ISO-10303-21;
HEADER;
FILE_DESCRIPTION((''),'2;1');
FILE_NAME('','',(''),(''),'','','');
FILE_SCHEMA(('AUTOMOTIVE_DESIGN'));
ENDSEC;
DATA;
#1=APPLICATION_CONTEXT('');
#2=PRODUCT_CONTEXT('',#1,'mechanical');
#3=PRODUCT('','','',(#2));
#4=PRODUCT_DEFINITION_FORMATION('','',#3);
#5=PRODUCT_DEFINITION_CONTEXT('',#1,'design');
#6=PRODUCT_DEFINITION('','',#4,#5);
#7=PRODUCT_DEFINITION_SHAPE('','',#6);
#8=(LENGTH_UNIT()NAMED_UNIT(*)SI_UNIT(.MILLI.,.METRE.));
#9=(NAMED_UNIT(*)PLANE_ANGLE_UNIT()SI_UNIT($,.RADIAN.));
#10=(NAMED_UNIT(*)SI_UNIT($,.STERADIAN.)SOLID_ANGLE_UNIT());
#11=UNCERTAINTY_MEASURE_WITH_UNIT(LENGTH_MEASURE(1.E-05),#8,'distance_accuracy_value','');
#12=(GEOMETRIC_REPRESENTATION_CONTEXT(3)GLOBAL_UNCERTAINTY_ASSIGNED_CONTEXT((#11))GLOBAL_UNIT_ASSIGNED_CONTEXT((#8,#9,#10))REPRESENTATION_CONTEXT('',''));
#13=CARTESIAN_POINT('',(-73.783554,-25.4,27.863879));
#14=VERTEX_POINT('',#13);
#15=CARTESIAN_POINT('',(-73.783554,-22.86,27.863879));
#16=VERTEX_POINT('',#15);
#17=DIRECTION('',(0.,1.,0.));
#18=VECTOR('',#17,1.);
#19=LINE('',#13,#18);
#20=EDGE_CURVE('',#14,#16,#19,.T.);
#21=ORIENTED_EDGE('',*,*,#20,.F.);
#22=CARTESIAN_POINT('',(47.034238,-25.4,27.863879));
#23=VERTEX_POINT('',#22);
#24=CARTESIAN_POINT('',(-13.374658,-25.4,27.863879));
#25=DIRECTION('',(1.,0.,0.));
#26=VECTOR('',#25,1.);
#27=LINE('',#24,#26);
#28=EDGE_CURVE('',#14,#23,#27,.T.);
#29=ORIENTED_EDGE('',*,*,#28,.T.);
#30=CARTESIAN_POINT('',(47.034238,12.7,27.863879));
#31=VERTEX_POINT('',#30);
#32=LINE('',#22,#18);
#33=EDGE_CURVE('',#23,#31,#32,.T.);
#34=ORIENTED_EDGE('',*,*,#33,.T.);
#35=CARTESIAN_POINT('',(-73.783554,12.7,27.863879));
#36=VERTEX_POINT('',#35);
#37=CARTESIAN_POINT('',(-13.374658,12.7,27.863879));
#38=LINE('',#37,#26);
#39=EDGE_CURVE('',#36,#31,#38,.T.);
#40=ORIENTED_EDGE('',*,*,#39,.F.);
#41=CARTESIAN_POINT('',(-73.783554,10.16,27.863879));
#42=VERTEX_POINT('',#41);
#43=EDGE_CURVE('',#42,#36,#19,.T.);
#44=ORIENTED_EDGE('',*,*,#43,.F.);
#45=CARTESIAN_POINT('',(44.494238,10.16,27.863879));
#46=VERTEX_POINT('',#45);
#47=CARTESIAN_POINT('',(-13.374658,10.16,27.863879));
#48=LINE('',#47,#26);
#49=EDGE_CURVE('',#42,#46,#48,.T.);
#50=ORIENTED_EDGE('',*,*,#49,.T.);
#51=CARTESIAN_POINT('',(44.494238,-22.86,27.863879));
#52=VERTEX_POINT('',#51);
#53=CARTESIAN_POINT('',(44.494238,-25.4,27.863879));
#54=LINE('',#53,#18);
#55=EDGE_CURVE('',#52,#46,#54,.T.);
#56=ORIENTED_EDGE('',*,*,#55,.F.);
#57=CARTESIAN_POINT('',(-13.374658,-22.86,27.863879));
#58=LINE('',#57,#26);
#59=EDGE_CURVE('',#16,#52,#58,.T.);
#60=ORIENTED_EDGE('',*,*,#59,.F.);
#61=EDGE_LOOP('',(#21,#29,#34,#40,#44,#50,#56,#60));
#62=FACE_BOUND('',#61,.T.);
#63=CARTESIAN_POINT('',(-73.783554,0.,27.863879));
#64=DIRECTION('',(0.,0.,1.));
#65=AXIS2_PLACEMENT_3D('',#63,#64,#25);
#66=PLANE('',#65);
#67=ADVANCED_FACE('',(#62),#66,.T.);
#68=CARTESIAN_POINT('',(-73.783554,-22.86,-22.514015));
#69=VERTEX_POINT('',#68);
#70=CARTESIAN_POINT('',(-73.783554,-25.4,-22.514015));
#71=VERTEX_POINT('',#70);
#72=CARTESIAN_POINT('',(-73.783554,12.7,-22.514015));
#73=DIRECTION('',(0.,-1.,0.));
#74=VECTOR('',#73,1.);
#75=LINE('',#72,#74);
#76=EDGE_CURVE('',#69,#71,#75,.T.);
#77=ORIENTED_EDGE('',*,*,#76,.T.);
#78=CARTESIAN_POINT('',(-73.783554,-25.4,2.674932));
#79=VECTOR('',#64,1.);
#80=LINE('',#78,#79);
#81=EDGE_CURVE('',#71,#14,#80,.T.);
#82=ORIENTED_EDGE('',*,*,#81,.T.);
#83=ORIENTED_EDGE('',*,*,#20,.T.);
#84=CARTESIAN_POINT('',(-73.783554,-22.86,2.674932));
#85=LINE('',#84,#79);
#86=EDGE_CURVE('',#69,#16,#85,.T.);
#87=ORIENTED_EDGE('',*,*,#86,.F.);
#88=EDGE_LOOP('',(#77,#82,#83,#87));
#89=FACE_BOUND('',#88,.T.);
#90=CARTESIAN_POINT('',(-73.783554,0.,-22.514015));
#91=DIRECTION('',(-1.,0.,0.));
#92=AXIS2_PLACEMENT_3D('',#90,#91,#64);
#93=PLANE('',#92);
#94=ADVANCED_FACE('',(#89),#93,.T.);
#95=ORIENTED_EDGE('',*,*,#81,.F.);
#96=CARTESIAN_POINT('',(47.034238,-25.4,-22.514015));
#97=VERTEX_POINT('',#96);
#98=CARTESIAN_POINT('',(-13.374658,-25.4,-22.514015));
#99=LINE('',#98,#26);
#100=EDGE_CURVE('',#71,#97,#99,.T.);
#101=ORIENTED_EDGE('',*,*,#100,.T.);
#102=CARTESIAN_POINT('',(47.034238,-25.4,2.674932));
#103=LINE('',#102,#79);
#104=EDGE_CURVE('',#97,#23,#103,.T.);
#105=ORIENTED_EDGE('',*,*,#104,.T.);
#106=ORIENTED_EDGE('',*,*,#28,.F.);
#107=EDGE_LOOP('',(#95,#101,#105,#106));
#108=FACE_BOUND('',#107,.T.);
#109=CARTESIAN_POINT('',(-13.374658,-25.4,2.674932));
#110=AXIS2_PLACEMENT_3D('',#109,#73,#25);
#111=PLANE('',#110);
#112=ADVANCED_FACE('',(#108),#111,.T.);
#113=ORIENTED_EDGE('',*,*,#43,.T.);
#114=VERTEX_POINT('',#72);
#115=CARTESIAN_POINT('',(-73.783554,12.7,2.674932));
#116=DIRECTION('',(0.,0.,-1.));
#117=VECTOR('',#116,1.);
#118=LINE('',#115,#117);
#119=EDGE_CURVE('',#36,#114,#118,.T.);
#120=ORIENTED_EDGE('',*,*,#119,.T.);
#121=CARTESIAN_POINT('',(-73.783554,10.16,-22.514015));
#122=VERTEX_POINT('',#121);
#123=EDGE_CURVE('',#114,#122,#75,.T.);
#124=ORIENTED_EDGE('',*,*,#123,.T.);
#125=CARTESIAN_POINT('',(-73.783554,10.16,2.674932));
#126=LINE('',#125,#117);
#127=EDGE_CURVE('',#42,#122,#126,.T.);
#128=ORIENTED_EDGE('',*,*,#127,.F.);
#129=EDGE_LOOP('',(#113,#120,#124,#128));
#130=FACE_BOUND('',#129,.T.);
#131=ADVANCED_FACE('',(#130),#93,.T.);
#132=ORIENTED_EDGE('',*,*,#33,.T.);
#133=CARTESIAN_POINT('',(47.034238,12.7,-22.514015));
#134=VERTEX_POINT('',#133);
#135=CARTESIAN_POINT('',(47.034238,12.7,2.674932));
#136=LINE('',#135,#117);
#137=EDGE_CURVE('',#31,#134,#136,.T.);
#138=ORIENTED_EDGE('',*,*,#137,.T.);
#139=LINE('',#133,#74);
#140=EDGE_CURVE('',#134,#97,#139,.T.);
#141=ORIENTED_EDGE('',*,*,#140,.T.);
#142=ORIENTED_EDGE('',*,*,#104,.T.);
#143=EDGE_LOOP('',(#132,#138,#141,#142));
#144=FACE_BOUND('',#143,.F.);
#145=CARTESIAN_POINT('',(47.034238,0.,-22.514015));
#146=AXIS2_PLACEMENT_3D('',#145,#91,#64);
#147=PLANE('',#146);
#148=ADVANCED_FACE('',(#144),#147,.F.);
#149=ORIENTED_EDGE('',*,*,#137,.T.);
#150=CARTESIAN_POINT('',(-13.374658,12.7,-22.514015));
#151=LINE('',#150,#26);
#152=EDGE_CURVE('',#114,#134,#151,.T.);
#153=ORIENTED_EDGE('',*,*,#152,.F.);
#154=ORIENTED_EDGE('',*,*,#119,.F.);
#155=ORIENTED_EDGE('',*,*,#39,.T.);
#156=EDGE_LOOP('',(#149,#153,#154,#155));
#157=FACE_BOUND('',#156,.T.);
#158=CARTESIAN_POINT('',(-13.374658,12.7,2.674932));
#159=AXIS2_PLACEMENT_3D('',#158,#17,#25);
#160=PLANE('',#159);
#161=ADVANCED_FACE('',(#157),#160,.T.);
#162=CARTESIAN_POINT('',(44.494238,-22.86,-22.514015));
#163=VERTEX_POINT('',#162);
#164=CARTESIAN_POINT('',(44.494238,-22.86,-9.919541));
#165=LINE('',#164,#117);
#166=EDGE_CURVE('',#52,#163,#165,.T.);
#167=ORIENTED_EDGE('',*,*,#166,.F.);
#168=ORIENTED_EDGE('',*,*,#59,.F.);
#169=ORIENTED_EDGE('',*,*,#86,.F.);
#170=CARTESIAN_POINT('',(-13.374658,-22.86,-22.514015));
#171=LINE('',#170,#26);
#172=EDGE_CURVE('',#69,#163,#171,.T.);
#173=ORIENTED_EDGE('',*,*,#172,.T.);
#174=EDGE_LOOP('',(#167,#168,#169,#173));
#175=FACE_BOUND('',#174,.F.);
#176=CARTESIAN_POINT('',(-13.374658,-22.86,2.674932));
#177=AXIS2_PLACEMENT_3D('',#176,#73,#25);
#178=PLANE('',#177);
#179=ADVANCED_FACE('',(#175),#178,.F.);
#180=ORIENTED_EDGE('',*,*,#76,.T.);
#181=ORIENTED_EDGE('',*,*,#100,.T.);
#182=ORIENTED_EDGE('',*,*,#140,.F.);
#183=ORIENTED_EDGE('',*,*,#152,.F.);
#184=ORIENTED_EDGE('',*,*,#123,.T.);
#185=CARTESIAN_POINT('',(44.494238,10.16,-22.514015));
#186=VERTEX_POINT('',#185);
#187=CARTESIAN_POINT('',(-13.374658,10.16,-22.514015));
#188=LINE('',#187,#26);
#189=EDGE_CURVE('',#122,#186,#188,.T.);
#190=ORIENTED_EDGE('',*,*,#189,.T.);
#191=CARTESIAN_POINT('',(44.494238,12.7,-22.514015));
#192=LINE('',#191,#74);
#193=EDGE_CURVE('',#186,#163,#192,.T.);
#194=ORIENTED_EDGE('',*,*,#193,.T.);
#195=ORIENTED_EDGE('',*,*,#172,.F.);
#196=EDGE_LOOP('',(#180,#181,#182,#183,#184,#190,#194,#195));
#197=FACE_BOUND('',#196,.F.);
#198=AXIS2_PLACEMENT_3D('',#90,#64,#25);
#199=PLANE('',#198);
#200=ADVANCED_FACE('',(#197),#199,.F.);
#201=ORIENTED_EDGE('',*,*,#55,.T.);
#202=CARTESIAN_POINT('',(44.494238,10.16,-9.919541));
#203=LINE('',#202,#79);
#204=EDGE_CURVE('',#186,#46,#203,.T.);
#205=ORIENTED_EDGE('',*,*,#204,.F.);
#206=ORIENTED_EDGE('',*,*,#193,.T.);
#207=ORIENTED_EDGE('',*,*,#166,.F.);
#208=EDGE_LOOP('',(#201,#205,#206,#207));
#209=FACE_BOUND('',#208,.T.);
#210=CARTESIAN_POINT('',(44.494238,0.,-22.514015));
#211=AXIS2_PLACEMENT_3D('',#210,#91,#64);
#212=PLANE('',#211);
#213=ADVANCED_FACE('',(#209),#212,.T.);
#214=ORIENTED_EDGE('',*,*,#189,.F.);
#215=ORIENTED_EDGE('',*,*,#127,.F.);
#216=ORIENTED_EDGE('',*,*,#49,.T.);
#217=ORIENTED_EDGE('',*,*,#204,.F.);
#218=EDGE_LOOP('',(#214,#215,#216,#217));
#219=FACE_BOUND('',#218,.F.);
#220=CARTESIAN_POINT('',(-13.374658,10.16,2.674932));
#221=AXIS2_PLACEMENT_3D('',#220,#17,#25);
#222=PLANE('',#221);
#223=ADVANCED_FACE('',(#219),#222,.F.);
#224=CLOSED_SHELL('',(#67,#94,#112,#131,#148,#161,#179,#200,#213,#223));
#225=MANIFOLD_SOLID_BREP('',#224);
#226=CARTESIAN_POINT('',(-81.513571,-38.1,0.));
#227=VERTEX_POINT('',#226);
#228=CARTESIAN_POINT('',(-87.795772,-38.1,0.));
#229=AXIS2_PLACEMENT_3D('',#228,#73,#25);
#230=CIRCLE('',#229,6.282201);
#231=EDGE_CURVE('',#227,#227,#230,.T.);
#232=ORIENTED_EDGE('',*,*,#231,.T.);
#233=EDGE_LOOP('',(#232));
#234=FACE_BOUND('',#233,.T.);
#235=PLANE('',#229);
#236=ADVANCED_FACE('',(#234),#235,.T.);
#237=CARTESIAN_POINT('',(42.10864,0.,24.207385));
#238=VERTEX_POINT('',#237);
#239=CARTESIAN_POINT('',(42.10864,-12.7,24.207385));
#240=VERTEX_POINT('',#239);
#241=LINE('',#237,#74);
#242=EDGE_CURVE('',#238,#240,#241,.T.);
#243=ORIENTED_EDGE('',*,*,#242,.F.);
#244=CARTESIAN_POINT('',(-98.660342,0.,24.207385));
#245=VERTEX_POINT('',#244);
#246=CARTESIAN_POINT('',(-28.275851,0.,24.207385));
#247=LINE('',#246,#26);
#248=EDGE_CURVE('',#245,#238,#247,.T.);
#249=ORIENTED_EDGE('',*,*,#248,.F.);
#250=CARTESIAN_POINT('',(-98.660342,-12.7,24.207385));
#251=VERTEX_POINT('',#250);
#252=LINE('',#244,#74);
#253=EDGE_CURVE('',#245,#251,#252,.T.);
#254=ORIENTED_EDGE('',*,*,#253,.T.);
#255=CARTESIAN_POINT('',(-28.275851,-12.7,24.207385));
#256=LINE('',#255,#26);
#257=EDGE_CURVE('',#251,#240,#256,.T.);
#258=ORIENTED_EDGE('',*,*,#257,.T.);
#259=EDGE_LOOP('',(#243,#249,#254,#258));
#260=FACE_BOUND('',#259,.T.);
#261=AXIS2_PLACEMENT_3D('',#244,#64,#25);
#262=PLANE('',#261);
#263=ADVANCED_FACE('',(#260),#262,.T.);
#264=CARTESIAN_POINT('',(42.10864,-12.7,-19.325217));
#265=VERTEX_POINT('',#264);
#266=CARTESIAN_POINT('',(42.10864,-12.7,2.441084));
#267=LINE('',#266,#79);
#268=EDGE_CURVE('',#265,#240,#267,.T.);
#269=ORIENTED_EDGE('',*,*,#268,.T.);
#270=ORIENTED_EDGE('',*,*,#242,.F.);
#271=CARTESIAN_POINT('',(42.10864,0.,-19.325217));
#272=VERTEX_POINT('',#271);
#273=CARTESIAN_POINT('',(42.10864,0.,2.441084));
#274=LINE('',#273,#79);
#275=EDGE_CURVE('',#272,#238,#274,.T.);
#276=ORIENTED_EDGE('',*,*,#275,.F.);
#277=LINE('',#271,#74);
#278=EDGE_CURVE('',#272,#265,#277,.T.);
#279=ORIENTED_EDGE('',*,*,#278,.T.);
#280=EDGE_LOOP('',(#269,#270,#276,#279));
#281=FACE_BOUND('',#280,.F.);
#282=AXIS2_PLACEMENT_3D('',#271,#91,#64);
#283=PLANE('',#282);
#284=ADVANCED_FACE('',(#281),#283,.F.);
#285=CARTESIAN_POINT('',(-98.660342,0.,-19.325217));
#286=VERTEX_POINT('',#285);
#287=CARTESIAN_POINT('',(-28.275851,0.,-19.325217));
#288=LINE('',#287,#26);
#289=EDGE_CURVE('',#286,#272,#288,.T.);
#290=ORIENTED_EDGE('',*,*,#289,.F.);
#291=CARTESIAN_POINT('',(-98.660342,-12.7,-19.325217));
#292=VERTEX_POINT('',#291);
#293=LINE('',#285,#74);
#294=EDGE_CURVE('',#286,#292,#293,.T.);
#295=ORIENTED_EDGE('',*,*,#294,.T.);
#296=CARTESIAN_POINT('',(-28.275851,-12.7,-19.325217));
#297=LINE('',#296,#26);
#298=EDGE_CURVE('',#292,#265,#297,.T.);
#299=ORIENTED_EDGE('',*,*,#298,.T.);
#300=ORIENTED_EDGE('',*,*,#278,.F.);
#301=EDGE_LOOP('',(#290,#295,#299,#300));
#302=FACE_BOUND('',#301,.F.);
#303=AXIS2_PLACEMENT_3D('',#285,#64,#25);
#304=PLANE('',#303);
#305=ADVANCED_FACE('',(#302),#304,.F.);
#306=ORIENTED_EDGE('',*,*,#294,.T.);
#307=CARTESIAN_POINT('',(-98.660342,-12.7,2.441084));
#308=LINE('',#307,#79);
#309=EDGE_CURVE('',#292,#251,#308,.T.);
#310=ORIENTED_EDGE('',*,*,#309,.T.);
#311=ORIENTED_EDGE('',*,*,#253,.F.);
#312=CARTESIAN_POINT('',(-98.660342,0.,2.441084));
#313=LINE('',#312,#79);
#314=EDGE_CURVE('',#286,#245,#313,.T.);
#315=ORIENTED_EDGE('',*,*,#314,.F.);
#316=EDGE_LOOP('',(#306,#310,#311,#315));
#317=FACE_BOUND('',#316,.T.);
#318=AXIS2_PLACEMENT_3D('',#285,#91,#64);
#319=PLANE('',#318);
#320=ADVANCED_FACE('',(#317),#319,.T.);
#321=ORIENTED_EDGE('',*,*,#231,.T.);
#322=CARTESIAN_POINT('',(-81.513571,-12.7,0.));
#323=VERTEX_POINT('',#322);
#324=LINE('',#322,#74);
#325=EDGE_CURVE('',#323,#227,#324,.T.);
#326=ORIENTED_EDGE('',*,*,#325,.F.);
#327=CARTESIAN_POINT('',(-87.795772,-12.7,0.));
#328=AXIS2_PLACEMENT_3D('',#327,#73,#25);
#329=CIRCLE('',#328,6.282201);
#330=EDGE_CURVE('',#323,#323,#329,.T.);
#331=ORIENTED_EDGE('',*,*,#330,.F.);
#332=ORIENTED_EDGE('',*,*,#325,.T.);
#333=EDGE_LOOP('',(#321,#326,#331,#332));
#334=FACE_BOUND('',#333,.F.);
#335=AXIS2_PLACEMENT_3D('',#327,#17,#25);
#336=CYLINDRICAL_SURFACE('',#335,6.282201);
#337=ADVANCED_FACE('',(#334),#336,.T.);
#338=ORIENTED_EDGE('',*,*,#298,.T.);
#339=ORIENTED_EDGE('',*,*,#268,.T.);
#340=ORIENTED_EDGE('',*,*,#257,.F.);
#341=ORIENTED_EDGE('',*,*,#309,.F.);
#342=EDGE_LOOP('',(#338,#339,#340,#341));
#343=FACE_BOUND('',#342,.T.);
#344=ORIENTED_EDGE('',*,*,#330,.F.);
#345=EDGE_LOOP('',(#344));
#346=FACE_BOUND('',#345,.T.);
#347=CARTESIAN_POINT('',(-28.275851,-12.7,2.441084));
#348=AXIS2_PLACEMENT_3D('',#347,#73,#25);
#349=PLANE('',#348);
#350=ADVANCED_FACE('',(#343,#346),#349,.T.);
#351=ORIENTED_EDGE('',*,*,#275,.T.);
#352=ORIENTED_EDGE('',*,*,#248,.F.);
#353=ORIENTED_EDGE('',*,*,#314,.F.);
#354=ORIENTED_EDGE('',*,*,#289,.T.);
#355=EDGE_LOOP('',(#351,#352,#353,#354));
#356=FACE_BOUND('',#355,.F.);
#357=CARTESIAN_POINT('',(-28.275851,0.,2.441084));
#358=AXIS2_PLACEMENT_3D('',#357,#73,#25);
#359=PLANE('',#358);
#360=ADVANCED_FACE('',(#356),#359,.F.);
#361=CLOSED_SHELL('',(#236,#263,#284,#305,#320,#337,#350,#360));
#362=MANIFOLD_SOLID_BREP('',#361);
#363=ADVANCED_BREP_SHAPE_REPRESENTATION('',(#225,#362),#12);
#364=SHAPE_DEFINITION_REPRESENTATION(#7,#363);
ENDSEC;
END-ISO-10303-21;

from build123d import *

# Parameters (mm, degrees)
F0_W      = 120.817792
F0_H      = 50.377894
F1_DEPTH  = 25.4
F1_FACE_W = 120.817792
F1_FACE_H = 50.377894
F2_DEPTH  = 12.7
F3_T      = -2.54
F4_W      = 140.768982
F4_H      = 43.532602
F5_DEPTH  = 12.7
F6_R      = 6.282201
F7_DEPTH  = 25.4


with BuildPart() as f1:
    # F0 (on Front) → F1 (new body)
    with BuildSketch(Plane.XZ):
        with Locations((-13.374658, 2.674932)):
            Rectangle(F0_W, F0_H)
    extrude(amount=F1_DEPTH)

    # F1_face (on face) → F2 (join, symmetric)
    with BuildSketch(Plane(origin=(-13.374658, 0, 2.674932), x_dir=(1, 0, 0), z_dir=(0, 1, 0))):
        Rectangle(F1_FACE_W, F1_FACE_H)
    extrude(amount=F2_DEPTH, both=True)

    # F3
    f3_openings = [f1.faces().sort_by_distance(p)[0] for p in [
        (-13.374658, -6.35, 27.863879),
        (-73.783554, -6.35, 2.674932),
        (-13.374658, -6.35, -22.514015),
    ]]
    offset(amount=F3_T, openings=f3_openings)


with BuildPart() as f5:
    # F4 (on Front) → F5 (new body)
    with BuildSketch(Plane.XZ):
        with Locations((-28.275851, 2.441084)):
            Rectangle(F4_W, F4_H)
    extrude(amount=F5_DEPTH)

    # F6 (on face) → F7 (join)
    with BuildSketch(Plane.XZ.offset(12.7)):
        with Locations((-87.795772, 0)):
            Circle(F6_R)
    extrude(amount=F7_DEPTH)


solid = Compound([f1.part, f5.part])
